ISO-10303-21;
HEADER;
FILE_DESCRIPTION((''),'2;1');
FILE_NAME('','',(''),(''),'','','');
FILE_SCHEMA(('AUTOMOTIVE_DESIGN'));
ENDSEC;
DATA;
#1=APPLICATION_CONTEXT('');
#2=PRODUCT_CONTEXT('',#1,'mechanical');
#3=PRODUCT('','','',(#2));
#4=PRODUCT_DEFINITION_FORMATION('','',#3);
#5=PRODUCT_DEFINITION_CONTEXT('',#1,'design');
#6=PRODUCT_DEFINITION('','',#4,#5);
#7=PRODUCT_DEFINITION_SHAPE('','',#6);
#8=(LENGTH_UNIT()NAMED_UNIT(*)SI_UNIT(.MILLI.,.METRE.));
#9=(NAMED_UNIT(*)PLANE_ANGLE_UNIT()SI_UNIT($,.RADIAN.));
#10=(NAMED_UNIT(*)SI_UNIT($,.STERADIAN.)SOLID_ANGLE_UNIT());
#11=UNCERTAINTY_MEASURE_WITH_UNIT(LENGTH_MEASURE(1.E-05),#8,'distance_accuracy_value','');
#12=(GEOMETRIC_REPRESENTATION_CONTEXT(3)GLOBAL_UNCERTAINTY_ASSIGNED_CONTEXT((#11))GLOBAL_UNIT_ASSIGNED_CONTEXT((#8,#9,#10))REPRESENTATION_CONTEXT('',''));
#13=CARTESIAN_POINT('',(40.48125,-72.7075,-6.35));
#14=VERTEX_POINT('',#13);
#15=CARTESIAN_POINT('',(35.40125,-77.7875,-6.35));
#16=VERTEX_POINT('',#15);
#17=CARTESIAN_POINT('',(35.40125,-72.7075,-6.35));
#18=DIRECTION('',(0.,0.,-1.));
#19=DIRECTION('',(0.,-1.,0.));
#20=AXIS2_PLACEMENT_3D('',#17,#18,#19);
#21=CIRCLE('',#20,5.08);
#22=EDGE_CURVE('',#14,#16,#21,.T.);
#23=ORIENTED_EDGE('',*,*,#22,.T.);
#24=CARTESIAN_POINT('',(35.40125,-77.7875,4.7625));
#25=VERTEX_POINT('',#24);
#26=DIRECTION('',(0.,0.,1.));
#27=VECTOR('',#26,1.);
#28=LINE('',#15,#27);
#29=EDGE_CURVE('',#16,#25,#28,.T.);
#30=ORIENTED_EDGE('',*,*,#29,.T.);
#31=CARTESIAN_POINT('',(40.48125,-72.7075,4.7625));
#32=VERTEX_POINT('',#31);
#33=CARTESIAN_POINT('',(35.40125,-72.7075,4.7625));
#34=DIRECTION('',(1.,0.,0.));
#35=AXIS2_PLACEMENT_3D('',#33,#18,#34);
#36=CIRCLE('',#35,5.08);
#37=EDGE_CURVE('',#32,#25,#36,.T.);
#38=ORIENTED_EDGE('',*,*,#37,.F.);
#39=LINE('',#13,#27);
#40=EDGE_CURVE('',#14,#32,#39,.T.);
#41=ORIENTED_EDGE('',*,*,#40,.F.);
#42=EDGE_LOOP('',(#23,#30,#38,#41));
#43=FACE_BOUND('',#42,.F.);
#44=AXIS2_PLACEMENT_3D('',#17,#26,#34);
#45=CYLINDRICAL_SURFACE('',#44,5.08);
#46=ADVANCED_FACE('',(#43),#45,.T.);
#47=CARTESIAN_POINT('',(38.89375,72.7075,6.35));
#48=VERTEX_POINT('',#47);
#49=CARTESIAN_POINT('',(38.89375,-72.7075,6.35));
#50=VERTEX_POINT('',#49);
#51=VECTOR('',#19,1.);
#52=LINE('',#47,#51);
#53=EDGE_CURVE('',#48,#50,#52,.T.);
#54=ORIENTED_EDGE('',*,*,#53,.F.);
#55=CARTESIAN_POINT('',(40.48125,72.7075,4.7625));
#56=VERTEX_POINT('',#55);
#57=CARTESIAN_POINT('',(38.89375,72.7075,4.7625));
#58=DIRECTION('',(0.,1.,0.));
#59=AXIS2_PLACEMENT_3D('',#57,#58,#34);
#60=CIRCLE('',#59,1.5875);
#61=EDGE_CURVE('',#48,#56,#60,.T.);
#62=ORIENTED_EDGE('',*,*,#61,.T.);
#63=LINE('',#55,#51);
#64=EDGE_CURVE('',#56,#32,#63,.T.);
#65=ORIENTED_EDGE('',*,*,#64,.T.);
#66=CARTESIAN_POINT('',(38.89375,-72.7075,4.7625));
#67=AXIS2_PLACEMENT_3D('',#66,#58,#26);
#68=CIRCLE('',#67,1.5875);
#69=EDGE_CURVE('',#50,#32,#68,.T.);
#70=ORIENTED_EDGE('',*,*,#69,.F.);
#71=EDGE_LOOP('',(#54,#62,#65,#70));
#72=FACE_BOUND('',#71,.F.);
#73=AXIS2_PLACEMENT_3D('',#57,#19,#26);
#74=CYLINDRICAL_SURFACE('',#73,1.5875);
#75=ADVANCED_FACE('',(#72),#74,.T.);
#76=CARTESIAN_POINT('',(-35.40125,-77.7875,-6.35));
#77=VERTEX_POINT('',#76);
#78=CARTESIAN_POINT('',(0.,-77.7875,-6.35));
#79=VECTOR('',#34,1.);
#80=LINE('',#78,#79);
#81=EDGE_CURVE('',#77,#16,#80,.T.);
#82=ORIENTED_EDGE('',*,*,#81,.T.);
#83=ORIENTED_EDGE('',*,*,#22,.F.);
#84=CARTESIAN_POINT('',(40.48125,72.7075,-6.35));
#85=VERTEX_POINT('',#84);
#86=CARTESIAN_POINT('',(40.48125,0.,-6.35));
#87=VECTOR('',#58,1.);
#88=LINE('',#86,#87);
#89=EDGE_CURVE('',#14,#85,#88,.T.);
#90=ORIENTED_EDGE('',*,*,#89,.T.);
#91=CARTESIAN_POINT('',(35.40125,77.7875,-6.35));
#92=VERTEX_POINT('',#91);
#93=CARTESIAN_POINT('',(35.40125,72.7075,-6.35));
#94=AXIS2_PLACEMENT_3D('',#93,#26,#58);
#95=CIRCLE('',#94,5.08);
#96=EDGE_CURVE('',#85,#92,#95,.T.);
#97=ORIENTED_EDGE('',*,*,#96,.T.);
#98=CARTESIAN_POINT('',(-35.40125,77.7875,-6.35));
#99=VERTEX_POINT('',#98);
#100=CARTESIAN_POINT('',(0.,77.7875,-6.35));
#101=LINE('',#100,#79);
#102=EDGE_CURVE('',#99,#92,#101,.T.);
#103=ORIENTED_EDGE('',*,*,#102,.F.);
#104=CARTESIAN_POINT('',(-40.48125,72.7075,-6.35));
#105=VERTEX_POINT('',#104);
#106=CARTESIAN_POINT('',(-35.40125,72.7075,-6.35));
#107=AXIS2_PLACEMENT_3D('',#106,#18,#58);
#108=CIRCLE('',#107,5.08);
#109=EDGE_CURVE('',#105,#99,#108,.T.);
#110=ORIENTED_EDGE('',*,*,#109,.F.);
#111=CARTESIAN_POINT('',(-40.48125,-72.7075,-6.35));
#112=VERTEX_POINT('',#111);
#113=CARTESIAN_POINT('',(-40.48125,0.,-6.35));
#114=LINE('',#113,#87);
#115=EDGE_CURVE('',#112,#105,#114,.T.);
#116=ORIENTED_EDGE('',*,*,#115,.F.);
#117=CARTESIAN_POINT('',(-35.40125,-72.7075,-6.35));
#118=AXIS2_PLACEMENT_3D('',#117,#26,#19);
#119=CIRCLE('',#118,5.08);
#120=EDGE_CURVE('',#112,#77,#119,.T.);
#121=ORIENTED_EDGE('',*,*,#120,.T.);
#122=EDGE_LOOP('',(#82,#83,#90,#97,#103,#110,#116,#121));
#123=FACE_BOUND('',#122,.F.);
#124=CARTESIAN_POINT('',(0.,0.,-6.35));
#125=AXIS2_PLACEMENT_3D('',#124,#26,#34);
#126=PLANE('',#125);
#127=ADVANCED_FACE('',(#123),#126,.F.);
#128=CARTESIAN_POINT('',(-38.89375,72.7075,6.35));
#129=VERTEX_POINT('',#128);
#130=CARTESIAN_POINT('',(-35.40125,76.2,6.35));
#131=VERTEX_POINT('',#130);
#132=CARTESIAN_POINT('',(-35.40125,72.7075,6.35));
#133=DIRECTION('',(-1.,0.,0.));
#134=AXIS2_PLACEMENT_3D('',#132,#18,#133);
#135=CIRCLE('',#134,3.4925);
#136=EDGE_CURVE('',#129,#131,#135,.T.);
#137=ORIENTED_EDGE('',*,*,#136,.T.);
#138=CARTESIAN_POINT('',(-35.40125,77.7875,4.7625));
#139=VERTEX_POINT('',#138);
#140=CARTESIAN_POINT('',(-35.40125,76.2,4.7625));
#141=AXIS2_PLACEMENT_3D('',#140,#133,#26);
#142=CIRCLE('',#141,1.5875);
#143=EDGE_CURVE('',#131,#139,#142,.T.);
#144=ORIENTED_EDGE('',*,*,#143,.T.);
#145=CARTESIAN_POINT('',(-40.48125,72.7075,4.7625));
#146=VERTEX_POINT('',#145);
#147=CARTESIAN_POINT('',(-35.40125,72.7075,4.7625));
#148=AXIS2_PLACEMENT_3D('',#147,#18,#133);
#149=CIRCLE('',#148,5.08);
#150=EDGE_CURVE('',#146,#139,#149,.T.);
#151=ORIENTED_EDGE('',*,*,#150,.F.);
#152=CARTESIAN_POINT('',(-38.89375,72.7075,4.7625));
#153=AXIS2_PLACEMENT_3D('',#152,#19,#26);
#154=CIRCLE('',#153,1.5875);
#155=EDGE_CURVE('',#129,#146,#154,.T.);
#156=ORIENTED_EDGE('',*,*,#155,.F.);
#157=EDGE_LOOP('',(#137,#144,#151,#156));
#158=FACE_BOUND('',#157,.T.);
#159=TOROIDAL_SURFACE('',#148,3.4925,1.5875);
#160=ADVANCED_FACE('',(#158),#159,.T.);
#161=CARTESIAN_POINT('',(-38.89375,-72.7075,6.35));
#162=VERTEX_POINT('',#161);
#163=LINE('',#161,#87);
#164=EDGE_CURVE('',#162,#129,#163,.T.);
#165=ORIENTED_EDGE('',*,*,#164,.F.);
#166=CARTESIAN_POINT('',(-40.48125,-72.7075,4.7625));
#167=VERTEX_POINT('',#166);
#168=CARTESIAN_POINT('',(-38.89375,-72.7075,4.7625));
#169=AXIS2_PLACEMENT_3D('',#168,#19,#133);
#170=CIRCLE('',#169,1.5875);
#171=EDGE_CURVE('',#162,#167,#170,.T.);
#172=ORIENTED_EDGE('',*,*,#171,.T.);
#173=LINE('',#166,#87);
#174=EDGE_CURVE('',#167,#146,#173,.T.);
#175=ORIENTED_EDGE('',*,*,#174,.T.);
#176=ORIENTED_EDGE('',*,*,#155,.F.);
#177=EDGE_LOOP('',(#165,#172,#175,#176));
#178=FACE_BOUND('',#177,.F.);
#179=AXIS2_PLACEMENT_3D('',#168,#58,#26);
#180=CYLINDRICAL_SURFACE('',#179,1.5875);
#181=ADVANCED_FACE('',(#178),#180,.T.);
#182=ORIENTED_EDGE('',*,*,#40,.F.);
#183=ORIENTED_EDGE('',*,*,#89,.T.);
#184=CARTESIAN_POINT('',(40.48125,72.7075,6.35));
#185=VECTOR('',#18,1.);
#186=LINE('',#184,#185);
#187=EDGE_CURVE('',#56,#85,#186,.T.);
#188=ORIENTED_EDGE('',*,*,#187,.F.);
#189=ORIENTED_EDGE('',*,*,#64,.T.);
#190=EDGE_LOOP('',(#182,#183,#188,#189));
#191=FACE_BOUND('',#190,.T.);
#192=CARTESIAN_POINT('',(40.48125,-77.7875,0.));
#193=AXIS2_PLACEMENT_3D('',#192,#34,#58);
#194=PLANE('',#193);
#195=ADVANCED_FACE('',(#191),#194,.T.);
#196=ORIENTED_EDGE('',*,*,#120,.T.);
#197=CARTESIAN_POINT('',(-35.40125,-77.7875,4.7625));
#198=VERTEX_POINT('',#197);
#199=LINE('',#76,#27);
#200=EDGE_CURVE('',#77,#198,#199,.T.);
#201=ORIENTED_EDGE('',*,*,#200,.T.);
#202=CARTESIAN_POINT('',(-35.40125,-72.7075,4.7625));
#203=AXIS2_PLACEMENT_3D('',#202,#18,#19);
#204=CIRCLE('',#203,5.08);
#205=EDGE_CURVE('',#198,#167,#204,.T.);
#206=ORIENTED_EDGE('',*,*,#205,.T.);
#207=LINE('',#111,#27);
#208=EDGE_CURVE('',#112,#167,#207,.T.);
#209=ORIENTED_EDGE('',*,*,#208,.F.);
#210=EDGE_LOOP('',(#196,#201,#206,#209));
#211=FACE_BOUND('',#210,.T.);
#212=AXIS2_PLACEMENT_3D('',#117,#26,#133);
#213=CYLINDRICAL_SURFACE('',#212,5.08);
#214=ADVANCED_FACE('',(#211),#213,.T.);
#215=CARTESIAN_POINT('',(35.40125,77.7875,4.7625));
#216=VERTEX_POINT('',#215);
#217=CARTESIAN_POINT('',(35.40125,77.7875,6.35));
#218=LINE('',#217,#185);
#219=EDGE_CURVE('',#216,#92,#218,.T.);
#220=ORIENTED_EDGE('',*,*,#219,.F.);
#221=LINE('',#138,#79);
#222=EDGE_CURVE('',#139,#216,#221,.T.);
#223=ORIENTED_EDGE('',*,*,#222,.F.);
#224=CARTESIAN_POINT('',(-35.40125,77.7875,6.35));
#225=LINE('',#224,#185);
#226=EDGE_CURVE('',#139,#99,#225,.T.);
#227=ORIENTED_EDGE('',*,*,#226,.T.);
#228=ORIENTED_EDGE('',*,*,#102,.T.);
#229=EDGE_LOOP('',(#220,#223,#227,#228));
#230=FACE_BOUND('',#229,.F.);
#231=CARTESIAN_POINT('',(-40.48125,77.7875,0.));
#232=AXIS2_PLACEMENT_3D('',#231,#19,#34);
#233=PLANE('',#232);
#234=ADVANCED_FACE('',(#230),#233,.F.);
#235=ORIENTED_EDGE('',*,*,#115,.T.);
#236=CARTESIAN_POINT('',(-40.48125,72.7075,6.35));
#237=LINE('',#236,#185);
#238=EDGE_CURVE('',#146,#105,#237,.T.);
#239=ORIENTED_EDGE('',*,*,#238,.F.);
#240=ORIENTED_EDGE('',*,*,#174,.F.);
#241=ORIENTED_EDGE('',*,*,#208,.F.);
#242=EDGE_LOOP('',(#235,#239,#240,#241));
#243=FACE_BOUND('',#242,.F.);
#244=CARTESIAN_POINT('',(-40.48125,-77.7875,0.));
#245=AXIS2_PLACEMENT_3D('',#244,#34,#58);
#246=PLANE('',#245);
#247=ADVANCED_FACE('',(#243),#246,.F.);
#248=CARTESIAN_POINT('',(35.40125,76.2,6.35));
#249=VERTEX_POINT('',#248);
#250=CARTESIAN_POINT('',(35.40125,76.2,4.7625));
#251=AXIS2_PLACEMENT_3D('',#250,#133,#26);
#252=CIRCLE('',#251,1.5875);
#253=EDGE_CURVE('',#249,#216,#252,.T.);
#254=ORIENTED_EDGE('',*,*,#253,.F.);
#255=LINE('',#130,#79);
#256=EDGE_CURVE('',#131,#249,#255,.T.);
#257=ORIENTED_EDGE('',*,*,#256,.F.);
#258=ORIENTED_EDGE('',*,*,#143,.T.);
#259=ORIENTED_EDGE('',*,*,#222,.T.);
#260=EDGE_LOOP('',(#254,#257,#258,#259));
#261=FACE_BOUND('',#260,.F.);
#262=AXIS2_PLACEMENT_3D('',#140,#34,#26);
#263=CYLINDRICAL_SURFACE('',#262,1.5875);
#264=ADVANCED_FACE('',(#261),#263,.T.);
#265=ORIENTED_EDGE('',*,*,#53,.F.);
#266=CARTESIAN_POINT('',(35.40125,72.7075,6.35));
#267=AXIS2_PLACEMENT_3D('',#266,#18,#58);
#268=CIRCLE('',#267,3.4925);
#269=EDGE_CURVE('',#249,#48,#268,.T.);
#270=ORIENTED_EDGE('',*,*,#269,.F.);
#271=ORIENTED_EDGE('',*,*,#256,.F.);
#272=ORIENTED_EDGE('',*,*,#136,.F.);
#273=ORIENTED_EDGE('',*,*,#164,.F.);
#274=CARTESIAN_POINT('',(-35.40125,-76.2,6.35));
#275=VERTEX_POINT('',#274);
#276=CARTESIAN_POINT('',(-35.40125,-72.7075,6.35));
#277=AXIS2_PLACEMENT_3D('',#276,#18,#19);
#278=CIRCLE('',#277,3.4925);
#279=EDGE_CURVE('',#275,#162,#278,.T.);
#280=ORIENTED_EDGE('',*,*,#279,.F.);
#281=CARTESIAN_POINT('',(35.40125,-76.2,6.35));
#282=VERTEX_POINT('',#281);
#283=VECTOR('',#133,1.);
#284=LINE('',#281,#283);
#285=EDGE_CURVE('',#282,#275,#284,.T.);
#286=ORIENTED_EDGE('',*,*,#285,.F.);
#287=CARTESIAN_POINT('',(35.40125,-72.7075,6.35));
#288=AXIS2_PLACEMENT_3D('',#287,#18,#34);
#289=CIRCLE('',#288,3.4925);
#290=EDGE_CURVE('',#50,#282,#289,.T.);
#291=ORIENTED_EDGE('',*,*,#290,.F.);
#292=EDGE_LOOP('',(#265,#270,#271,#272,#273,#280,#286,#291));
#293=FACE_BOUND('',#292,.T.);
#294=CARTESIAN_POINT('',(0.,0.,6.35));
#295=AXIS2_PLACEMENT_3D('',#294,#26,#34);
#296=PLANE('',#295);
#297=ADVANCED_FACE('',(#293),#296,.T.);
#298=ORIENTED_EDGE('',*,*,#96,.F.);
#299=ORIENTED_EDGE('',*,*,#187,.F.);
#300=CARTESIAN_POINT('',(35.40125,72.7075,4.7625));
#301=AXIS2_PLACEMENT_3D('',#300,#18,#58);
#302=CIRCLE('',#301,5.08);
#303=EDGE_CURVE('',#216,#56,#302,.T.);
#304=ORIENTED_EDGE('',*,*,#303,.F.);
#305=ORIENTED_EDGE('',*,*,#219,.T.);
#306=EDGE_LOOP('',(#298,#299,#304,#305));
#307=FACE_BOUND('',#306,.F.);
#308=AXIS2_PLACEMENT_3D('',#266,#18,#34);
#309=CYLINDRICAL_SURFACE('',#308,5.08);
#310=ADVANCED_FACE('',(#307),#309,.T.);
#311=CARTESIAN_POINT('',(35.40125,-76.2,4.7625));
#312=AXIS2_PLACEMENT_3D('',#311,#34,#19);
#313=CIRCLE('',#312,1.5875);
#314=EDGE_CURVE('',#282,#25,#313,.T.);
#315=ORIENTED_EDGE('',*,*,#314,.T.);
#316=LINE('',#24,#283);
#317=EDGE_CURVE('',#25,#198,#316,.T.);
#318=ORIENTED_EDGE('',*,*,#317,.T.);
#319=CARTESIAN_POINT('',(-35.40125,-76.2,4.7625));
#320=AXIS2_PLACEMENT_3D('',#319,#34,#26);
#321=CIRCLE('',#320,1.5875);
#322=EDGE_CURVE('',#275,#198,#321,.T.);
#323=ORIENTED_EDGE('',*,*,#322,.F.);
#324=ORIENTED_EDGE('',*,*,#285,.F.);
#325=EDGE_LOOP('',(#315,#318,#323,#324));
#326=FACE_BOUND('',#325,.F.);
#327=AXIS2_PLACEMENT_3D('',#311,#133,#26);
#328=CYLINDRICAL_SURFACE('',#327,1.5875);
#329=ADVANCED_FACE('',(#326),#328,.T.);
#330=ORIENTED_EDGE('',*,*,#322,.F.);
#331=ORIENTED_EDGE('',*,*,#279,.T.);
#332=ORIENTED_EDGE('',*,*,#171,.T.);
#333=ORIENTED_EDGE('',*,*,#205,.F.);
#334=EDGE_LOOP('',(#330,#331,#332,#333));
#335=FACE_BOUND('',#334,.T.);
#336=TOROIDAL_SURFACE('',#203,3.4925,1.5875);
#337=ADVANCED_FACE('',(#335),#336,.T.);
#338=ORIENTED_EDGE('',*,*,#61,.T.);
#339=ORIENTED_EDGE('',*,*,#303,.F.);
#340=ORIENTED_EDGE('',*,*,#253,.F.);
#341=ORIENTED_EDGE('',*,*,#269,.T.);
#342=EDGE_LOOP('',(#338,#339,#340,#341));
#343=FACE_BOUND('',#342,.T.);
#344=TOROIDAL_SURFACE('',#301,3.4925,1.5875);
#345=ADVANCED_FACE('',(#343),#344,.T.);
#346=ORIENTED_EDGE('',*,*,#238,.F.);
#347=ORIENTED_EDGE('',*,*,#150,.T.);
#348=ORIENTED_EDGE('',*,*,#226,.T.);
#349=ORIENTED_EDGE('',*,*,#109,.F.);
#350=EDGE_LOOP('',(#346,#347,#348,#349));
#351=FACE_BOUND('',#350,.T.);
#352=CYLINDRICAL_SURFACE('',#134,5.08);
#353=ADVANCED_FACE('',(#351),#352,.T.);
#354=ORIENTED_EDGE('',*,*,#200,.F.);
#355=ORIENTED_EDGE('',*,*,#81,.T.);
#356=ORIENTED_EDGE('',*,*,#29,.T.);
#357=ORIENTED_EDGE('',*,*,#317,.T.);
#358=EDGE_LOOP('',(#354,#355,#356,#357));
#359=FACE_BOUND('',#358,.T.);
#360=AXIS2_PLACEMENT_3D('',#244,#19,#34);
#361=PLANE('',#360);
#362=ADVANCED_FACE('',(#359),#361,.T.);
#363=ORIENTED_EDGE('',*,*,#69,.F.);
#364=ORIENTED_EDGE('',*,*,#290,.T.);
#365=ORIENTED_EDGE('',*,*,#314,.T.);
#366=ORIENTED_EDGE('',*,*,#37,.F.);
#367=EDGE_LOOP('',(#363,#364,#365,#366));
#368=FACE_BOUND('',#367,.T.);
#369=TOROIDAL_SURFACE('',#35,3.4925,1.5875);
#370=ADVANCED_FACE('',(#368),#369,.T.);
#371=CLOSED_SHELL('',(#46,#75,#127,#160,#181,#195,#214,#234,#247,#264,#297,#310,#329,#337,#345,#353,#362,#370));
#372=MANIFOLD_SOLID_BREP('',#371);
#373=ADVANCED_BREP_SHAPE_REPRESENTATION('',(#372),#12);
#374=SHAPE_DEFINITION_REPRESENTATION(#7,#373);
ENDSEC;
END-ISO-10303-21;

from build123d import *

# Parameters (mm, degrees)
F0_W     = 80.9625
F0_H     = 155.575
F1_DEPTH = 6.35
F2_R     = 5.08
F3_R     = 1.5875


with BuildPart() as f1:
    # F0 (on Top) → F1 (new body, symmetric)
    with BuildSketch(Plane.XY):
        Rectangle(F0_W, F0_H)
    extrude(amount=F1_DEPTH, both=True)

    # F2
    f2_edges = [f1.edges().sort_by_distance(p)[0] for p in [
        (40.48125, -77.7875, 0),
        (-40.48125, -77.7875, 0),
        (40.48125, 77.7875, 0),
        (-40.48125, 77.7875, 0),
    ]]
    fillet(f2_edges, radius=F2_R)

    # F3
    f3_edges = [f1.edges().sort_by_distance(p)[0] for p in [
        (0, 77.7875, 6.35),
    ]]
    fillet(f3_edges, radius=F3_R)


solid = f1.part
